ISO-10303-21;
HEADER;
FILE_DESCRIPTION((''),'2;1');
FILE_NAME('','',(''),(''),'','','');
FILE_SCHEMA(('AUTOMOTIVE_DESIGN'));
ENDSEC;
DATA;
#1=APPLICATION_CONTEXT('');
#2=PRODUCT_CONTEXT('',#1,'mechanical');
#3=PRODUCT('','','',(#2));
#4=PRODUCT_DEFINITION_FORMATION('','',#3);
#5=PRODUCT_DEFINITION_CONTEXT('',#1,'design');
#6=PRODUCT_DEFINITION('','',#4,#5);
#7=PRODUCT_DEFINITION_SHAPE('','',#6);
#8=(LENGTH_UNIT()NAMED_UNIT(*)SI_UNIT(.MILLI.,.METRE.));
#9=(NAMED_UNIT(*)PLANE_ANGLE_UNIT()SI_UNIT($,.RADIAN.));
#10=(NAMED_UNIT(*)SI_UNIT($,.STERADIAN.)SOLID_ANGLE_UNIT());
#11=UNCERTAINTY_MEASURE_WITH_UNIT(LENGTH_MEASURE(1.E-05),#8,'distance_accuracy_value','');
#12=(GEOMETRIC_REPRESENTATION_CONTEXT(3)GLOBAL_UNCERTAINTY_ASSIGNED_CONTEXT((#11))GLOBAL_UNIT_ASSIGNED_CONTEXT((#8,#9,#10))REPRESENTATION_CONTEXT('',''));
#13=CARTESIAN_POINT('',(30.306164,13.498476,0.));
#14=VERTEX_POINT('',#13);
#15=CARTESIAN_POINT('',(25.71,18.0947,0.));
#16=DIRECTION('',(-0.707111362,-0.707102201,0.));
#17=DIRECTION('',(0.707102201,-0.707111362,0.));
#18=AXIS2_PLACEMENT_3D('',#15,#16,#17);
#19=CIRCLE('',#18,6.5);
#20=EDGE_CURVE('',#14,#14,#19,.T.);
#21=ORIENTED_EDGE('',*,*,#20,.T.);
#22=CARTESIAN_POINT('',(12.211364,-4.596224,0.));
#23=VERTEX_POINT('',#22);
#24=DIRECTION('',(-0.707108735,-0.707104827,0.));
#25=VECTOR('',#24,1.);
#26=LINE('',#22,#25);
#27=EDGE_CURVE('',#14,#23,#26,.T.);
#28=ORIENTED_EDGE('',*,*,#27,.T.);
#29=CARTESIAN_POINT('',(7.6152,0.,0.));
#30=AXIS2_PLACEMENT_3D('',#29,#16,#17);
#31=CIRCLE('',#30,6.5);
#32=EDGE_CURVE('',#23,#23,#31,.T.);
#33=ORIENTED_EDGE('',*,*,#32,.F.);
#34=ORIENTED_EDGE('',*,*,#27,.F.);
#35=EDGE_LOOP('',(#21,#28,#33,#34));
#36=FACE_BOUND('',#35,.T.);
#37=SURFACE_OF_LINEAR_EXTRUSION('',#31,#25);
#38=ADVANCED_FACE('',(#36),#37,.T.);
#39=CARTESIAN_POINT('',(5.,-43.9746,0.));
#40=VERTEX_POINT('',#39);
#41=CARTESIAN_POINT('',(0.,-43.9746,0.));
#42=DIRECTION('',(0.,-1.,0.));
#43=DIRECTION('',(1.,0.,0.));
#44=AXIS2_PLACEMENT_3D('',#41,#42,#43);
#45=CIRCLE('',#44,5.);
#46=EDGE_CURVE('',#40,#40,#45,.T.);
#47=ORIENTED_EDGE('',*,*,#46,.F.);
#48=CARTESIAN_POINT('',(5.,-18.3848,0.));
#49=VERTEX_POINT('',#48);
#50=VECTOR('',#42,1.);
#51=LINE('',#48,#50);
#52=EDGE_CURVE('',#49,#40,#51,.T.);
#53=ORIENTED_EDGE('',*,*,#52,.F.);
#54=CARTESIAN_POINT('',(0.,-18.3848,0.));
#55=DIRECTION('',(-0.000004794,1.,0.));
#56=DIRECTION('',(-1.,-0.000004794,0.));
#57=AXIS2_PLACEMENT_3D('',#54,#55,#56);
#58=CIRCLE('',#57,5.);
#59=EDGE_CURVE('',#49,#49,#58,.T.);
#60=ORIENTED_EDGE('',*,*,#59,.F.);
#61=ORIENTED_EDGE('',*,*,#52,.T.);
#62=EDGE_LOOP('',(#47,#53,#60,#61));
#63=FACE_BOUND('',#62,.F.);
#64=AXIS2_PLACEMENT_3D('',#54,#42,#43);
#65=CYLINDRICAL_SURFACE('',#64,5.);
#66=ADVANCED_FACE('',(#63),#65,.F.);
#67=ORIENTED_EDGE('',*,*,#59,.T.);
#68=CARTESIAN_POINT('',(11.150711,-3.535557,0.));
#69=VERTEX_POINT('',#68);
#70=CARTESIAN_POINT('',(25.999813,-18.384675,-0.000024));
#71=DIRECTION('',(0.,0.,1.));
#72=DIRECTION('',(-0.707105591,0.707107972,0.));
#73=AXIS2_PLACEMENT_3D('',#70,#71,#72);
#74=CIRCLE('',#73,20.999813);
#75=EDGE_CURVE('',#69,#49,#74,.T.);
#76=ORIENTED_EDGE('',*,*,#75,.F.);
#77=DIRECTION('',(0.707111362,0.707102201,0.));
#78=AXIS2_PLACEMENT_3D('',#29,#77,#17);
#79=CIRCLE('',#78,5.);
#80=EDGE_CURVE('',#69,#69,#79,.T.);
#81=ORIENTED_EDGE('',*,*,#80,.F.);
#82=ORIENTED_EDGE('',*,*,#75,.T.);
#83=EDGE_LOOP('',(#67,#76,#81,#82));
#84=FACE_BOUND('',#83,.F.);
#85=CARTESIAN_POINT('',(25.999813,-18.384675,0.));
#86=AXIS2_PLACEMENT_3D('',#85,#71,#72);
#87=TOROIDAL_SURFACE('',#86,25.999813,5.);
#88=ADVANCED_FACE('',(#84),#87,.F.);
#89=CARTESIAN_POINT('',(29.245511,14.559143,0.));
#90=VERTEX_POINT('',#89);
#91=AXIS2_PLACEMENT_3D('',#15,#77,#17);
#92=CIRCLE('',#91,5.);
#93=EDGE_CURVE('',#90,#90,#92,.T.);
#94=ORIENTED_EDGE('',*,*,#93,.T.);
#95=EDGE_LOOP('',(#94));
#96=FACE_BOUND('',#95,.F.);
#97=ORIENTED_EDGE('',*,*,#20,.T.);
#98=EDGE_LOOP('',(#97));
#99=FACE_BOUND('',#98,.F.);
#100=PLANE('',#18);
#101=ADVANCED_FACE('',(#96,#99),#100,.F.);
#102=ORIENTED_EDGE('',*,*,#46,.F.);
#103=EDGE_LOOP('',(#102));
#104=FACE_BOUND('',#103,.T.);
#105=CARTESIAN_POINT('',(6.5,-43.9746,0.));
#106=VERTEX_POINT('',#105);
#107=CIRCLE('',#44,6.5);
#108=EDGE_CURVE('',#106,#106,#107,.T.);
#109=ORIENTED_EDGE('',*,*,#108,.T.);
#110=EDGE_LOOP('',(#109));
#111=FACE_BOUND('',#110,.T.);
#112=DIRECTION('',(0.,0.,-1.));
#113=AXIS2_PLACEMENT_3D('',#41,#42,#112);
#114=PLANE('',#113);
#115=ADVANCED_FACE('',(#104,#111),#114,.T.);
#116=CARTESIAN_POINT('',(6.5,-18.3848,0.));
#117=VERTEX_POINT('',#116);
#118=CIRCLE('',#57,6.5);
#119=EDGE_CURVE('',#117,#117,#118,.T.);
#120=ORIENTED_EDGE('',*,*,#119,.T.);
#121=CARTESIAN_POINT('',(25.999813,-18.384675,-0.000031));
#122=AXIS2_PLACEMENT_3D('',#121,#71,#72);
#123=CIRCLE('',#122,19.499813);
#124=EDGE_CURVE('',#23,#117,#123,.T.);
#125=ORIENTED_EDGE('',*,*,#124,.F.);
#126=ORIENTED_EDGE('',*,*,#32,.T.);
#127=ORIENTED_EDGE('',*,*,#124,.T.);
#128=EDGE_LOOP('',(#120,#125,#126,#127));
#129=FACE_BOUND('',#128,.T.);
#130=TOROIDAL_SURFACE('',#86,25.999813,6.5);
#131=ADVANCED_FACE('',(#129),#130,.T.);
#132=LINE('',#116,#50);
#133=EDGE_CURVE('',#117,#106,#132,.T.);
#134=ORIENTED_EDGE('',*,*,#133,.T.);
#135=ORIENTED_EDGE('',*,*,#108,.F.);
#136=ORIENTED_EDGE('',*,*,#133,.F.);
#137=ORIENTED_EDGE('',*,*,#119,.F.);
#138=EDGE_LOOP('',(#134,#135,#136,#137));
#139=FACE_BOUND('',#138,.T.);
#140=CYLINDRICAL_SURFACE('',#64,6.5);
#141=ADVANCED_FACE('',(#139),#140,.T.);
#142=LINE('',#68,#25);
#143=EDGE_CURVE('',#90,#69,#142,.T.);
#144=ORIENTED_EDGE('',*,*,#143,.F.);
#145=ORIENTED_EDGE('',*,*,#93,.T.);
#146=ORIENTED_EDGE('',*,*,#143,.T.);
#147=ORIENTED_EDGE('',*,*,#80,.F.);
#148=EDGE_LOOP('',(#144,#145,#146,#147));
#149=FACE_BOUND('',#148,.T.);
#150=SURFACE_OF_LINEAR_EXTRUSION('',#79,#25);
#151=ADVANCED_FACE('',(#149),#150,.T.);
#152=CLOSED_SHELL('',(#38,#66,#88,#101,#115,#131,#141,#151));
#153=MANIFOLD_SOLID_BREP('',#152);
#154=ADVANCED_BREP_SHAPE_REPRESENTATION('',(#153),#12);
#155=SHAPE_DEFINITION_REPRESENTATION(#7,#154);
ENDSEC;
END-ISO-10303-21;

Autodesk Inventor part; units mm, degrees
ref_plane "YZ Plane" through (0, 0, 0) normal (1, 0, 0) x (0, 1, 0)
ref_plane "XZ Plane" through (0, 0, 0) normal (0, 1, 0) x (-1, 0, 0)
sketch "Szkic6" plane through (0, 0, 0) normal (0, 0, 1) x (1, 0, 0)
  line L0 (-29.6067, 0) -> (35.2678, 0) construction
  line L1 (0, 42.3419) -> (0, -58.3726) construction
  arc A0 (7.6152, 0) -> (0, -18.3848) centre (26, -18.3848) ccw
  line L2 (0, -18.3848) -> (26, -18.3848) construction
  line L3 (26, -18.3848) -> (-20.3389, 27.9541) construction
  line L4 (7.6152, 0) -> (25.71, 18.0947)
  line L5 (0, -18.3848) -> (0, -43.9746)
  point P0 (0, 0)
  dimension "d24" = 26
  dimension "d31" = 45
  dimension "d36" = 25.5898
  dimension "d37" = 25.5898
ref_plane "Płaszczyzna konstrukcyjna2" through (0, -18.3848, 0) normal (0, -1, 0) x (1, 0, 0)
sketch "Szkic8" plane through (0, -18.3848, 0) normal (0, -1, 0) x (1, 0, 0)
  circle A0 centre (0, 0) radius 6.5
  circle A1 centre (0, 0) radius 5
  dimension "d32" = 13
  dimension "d33" = 1.5
sweep "Przeciągnięcie2" add profiles "Szkic8" path "Szkic6"
equation "\"d32\" = OD"
equation "\"d33\" = THK"
equation "\"d24\" = R"
equation "\"d31\" = KAT"
equation "\"d36\" = PROSTKA"
equation "\"d37\" = PROSTKA"
equation "\"SzerokośćGięciaPodcięcia\" = Grubość"
equation "\"RozmiarPodcięciaNarożnika\" = 4 * Grubość"
equation "\"PromieńPrzejścia\" = PromieńGięcia"
equation "\"Rozmiar_promienia_Jacobiego\" = PromieńGięcia"
equation "\"Wielk_odstępu\" = Grubość"
equation "\"d2\" = PromieńGięcia"
equation "\"d23\" = PromieńGięcia"
equation "\"R\" = 26"
equation "\"OD\" = 13"
equation "\"THK\" = 1.5"
equation "\"KAT\" = 45deg"
equation "\"PROSTKA\" = 25.58982"
equation "\"Grubość\" = 1.5"
equation "\"PromieńGięcia\" = 3"
properties part number "Kolano 45° ø13x1,5 R26" material "304L"
